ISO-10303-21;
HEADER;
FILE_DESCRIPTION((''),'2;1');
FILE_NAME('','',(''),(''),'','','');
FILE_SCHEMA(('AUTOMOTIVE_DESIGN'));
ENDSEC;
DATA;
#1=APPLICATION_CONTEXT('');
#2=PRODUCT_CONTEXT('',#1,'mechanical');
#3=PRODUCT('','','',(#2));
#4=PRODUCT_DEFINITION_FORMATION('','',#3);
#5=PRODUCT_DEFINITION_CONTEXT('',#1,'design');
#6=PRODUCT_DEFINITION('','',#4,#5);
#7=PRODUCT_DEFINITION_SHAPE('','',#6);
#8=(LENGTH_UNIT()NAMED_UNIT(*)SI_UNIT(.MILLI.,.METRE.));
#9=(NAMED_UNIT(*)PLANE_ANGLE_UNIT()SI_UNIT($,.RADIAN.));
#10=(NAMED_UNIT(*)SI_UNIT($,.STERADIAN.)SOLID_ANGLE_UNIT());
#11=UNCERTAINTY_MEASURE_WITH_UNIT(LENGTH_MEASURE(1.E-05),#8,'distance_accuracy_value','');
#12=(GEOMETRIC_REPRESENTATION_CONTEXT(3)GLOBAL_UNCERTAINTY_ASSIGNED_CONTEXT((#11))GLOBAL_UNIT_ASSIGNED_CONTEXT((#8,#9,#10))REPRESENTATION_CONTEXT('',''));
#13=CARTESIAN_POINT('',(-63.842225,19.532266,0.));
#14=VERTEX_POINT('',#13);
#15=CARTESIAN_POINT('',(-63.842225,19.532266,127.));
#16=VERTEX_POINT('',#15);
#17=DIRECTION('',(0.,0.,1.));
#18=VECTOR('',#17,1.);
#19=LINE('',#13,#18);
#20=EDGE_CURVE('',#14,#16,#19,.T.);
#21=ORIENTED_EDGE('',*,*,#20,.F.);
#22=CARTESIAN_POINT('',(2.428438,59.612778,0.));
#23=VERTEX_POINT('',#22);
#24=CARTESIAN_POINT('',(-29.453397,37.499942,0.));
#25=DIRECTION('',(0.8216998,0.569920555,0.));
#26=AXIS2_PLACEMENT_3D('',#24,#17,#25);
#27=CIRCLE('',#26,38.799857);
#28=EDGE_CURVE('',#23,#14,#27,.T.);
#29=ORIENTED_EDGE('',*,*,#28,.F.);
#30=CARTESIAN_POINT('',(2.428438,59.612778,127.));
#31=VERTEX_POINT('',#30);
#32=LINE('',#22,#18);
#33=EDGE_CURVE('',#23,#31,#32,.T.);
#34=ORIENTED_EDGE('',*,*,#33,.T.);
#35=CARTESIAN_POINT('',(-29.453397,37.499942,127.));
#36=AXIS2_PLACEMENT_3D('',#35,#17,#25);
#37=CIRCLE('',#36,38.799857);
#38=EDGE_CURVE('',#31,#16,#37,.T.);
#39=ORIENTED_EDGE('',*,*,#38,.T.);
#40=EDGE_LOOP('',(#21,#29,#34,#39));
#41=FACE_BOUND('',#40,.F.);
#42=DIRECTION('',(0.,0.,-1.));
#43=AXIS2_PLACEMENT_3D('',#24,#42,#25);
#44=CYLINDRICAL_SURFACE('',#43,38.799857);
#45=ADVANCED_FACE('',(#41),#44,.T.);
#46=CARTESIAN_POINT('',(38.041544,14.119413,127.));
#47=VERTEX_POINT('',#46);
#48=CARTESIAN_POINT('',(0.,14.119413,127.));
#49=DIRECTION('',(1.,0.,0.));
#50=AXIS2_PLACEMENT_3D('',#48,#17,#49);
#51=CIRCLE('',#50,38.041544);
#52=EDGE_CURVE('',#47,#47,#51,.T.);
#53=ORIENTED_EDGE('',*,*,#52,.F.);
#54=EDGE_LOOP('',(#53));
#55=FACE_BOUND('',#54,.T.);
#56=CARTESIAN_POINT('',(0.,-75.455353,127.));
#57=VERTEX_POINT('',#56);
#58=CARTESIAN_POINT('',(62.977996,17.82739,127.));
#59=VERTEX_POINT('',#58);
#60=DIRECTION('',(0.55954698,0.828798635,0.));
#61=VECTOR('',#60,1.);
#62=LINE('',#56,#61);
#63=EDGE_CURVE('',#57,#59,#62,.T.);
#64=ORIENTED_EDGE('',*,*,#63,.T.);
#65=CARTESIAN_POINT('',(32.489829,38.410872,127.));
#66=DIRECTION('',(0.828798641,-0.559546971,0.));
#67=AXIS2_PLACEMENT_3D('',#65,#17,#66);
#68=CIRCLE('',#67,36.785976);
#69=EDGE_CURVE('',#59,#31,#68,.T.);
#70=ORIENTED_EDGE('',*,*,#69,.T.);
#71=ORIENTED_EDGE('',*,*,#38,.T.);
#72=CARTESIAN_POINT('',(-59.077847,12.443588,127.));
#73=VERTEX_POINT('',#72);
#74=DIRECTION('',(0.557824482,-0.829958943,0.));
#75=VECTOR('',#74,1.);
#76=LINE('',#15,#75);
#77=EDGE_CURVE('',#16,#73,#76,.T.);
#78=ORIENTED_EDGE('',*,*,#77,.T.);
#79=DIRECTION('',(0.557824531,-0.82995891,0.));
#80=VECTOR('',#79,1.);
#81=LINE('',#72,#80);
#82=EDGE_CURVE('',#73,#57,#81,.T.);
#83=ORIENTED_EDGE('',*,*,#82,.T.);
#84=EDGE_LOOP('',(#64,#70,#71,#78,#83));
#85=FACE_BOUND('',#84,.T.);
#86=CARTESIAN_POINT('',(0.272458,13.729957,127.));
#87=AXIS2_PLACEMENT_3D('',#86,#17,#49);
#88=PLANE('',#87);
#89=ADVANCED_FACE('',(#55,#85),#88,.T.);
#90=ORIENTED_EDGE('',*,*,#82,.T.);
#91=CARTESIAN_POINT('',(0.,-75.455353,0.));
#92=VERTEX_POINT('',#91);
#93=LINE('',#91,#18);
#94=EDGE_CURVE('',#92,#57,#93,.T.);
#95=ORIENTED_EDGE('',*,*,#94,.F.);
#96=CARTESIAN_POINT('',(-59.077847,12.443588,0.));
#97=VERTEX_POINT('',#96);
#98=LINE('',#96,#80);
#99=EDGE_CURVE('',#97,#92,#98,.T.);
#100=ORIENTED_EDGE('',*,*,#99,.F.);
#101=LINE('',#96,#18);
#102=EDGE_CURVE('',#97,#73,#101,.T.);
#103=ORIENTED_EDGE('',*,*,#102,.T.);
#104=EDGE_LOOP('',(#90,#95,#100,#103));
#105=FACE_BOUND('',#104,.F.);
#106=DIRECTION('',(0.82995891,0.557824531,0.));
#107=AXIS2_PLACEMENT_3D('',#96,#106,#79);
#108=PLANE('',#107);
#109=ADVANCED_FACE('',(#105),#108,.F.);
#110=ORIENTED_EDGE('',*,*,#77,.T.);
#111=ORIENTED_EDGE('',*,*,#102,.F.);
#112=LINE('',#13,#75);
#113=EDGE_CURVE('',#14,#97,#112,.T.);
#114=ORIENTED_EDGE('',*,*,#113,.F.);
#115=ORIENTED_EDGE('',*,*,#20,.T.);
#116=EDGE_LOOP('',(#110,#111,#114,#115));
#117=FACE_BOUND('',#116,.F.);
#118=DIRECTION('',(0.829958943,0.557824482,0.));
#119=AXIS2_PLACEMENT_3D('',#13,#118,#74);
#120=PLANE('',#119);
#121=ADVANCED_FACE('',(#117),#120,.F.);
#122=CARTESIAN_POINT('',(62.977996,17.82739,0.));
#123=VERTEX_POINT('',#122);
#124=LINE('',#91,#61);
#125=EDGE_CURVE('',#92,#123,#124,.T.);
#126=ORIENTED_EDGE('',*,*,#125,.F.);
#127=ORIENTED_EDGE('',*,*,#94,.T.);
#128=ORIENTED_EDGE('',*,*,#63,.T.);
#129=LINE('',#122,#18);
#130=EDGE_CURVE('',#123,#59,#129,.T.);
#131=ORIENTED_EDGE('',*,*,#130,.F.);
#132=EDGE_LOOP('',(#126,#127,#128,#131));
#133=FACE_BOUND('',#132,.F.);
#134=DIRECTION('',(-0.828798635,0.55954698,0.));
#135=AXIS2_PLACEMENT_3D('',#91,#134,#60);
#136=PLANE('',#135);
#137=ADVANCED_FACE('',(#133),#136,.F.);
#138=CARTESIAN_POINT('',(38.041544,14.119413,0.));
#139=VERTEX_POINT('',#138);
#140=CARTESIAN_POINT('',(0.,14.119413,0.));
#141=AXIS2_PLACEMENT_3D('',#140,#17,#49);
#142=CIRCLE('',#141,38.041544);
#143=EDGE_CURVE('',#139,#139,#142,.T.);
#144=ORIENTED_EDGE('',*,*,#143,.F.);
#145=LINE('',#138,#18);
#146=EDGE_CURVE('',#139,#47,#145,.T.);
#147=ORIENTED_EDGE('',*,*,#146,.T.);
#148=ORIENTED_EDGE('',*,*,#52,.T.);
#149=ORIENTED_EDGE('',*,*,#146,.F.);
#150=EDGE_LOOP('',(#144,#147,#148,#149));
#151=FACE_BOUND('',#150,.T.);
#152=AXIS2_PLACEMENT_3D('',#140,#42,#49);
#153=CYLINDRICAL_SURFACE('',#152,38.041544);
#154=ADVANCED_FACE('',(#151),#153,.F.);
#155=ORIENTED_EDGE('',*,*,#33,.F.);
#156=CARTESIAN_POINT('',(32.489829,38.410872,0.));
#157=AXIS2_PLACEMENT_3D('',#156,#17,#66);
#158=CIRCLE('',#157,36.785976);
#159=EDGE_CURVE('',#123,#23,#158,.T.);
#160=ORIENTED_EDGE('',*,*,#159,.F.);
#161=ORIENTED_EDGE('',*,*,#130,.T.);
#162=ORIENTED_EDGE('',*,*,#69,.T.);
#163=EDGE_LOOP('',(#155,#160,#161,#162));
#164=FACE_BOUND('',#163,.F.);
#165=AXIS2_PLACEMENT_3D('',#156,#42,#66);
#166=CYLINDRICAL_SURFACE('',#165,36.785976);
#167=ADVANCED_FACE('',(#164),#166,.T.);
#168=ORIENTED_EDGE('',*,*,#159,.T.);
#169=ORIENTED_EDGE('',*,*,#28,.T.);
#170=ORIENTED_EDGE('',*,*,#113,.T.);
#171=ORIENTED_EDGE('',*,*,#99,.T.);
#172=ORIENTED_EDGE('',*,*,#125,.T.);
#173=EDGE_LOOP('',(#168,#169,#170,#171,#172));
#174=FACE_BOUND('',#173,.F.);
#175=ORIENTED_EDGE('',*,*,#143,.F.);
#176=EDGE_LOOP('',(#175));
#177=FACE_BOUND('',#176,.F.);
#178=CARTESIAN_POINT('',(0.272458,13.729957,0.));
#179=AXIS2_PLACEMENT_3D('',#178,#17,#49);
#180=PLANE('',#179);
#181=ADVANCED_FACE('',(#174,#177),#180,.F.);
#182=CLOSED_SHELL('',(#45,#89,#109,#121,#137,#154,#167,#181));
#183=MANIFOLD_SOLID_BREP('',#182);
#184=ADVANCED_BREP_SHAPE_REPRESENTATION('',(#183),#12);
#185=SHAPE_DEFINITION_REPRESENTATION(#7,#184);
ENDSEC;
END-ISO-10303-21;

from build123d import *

# Parameters (mm, degrees)
F0_R     = 38.041544
F1_DEPTH = 127


with BuildPart() as f1:
    # F0 (on Top) → F1 (new body)
    with BuildSketch(Plane.XY):
        with BuildLine():
            Line((0, -75.455353), (62.977996, 17.82739))
            ThreePointArc((62.977996, 17.82739), (53.383612, 68.68723), (2.428438, 59.612778))
            ThreePointArc((2.428438, 59.612778), (-49.532817, 70.700029), (-63.842225, 19.532266))
            Line((-63.842225, 19.532266), (-59.077847, 12.443588))
            Line((-59.077847, 12.443588), (0, -75.455353))
        make_face()
        with Locations((0, 14.119413)):
            Circle(F0_R, mode=Mode.SUBTRACT)
    extrude(amount=F1_DEPTH)


solid = f1.part
